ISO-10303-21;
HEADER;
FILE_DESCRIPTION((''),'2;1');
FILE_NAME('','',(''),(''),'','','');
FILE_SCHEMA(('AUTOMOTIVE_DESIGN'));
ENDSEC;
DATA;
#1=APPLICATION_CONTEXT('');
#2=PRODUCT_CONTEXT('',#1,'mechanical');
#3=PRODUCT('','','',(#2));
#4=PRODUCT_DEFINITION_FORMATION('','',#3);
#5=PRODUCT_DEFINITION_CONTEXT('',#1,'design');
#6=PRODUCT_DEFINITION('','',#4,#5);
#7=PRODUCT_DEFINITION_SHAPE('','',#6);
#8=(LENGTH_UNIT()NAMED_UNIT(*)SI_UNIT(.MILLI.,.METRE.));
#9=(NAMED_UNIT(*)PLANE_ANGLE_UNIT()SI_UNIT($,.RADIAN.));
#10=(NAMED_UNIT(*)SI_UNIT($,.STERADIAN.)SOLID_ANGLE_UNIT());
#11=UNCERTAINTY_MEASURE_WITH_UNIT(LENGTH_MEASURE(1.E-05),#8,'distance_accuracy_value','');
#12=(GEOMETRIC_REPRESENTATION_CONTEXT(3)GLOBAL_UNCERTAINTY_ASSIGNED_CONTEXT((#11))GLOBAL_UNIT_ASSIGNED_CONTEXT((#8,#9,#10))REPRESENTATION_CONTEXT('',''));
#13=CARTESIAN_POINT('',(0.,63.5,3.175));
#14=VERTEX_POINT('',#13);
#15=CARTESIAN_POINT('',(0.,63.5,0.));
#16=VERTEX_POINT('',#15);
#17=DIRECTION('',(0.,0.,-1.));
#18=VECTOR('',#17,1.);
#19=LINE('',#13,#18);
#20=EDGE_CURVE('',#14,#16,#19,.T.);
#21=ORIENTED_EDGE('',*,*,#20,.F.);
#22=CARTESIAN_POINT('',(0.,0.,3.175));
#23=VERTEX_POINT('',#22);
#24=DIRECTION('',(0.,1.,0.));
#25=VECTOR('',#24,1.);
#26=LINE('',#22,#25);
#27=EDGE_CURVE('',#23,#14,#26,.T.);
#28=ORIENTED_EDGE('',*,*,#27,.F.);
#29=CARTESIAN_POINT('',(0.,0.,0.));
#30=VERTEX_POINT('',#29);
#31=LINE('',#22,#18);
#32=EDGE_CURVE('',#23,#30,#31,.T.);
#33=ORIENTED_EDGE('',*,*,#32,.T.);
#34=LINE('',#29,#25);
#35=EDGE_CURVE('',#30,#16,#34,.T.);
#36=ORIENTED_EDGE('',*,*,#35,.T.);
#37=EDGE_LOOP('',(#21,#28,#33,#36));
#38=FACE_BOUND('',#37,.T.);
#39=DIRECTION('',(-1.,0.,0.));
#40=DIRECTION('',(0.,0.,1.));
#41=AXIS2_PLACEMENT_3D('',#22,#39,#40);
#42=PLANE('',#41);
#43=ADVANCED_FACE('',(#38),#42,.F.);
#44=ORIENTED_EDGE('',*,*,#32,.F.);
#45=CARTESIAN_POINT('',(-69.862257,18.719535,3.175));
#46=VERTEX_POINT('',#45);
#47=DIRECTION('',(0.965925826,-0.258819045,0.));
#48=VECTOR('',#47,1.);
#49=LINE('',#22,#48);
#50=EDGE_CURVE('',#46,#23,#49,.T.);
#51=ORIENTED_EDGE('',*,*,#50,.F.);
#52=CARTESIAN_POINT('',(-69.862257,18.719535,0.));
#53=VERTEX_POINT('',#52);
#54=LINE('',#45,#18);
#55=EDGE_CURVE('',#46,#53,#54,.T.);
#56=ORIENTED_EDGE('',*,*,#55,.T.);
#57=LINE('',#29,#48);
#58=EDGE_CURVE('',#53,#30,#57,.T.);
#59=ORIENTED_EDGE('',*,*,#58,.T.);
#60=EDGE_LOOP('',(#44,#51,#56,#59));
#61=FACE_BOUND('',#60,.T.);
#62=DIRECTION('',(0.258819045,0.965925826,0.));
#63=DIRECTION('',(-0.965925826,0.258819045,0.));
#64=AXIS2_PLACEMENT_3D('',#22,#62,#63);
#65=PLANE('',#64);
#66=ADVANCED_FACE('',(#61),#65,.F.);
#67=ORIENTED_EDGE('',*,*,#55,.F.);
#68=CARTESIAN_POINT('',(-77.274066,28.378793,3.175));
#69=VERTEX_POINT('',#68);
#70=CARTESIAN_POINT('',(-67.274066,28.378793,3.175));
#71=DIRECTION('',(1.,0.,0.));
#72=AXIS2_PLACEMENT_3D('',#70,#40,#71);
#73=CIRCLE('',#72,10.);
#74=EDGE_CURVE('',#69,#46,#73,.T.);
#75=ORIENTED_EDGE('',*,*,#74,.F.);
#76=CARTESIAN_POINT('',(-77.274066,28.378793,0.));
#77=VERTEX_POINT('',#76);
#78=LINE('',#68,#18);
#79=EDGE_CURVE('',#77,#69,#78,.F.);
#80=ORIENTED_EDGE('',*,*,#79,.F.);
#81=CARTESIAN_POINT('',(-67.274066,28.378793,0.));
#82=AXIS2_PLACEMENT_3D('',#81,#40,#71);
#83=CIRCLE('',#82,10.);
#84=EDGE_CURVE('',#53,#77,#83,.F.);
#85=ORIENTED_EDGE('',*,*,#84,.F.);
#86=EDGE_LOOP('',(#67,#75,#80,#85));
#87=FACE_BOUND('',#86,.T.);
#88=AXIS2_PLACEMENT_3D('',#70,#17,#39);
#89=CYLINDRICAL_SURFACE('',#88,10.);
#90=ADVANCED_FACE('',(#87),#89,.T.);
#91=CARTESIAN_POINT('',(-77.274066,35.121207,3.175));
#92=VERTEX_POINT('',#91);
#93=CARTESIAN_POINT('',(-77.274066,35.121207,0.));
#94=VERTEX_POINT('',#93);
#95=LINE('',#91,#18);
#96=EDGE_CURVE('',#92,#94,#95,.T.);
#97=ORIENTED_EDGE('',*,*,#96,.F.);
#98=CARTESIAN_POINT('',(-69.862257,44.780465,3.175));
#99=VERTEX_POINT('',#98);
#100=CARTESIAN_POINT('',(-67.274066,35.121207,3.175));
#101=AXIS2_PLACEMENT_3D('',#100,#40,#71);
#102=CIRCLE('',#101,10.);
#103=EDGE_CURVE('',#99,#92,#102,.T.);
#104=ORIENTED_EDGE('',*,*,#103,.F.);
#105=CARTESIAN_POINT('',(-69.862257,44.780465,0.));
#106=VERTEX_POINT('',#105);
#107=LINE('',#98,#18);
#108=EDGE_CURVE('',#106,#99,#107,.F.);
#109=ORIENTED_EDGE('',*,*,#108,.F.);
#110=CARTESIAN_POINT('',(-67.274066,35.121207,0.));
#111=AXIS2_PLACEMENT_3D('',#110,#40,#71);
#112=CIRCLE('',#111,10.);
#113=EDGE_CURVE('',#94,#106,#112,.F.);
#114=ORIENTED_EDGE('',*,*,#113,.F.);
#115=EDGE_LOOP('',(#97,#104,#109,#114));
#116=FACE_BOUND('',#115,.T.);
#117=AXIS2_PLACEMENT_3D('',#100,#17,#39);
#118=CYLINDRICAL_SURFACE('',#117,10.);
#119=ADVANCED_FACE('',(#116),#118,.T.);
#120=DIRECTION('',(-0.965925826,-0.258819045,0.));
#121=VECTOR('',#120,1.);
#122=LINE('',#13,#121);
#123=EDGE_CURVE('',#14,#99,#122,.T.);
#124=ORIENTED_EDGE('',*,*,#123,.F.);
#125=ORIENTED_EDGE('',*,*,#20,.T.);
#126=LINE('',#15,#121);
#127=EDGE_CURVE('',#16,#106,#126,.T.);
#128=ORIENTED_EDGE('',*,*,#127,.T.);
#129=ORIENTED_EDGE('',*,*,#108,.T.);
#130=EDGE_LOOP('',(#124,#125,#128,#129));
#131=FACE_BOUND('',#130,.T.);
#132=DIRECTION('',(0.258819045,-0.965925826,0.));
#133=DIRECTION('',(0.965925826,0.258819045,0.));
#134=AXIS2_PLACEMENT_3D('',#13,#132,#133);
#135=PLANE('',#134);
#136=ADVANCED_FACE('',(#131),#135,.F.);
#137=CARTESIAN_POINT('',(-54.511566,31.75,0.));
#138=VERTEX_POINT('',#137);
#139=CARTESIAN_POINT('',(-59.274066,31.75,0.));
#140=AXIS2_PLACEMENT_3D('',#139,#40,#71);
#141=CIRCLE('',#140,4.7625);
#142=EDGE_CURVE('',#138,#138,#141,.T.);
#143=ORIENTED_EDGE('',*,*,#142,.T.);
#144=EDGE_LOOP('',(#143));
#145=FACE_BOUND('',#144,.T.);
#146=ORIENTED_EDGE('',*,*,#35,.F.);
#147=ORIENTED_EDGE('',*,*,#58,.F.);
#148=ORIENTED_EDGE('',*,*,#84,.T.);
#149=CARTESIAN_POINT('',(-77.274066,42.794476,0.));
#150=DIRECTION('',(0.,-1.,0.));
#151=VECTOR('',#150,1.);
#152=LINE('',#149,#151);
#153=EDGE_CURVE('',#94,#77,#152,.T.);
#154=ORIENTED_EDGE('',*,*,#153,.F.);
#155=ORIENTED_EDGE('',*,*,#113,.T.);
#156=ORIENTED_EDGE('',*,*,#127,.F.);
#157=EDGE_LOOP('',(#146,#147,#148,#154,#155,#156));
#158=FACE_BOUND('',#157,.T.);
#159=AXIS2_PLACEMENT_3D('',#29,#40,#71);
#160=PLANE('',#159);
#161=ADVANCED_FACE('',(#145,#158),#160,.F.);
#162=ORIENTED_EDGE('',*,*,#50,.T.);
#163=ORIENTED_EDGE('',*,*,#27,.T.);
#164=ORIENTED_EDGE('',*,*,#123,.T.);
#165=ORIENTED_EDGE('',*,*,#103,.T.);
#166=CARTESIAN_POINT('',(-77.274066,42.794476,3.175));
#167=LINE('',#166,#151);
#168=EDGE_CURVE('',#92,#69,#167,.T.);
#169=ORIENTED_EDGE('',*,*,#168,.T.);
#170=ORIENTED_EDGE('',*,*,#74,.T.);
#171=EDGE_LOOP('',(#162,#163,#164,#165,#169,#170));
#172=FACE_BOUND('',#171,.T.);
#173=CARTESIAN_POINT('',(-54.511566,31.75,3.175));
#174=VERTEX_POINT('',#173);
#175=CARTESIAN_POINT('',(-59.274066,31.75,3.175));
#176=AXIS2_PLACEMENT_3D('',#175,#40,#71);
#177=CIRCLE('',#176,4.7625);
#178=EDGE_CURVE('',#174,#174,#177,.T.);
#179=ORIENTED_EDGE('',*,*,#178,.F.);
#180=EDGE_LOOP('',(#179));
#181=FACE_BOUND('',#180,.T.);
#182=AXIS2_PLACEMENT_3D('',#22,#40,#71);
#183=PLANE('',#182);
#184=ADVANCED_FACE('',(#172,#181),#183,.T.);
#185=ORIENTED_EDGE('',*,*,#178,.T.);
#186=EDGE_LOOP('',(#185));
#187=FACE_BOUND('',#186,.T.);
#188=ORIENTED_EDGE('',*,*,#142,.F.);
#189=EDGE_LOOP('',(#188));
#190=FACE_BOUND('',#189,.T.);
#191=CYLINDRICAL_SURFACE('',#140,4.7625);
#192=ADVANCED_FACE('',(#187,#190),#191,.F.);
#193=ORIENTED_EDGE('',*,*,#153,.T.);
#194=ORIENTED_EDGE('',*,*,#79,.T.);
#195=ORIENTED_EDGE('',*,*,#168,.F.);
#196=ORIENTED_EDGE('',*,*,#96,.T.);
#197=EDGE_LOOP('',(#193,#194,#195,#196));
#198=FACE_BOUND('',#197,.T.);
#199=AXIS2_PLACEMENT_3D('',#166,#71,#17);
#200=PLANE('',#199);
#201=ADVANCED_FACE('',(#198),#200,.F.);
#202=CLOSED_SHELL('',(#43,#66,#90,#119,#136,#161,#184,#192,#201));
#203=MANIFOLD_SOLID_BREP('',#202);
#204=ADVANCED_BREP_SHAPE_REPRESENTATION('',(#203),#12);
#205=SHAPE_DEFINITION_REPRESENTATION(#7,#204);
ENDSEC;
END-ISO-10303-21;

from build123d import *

# Parameters (mm, degrees)
SALIENTE_EXTRUIR1_DEPTH = 3.175
CROQUIS2_R              = 4.7625
CORTAR_EXTRUIR1_DEPTH   = 3.175
REDONDEO1_R             = 10


with BuildPart() as part:
    # Croquis1 → Saliente-Extruir1 (new body)
    with BuildSketch(Plane.XY):
        Polygon((0, 0), (0, 63.5), (-77.274066103, 42.794476392), (-77.274066103, 20.705523608), align=None)
    extrude(amount=SALIENTE_EXTRUIR1_DEPTH)

    # Croquis2 → Cortar-Extruir1 (cut)
    with BuildSketch(Plane.XY.offset(3.175)):
        with Locations((-59.274066103, 31.75)):
            Circle(CROQUIS2_R)
    extrude(amount=-CORTAR_EXTRUIR1_DEPTH, mode=Mode.SUBTRACT)

    # Redondeo1
    redondeo1_edges = [part.edges().sort_by_distance(p)[0] for p in [
        (-77.274066103, 20.705523608, 1.5875),
        (-77.274066103, 42.794476392, 1.5875),
    ]]
    fillet(redondeo1_edges, radius=REDONDEO1_R)


solid = part.part
